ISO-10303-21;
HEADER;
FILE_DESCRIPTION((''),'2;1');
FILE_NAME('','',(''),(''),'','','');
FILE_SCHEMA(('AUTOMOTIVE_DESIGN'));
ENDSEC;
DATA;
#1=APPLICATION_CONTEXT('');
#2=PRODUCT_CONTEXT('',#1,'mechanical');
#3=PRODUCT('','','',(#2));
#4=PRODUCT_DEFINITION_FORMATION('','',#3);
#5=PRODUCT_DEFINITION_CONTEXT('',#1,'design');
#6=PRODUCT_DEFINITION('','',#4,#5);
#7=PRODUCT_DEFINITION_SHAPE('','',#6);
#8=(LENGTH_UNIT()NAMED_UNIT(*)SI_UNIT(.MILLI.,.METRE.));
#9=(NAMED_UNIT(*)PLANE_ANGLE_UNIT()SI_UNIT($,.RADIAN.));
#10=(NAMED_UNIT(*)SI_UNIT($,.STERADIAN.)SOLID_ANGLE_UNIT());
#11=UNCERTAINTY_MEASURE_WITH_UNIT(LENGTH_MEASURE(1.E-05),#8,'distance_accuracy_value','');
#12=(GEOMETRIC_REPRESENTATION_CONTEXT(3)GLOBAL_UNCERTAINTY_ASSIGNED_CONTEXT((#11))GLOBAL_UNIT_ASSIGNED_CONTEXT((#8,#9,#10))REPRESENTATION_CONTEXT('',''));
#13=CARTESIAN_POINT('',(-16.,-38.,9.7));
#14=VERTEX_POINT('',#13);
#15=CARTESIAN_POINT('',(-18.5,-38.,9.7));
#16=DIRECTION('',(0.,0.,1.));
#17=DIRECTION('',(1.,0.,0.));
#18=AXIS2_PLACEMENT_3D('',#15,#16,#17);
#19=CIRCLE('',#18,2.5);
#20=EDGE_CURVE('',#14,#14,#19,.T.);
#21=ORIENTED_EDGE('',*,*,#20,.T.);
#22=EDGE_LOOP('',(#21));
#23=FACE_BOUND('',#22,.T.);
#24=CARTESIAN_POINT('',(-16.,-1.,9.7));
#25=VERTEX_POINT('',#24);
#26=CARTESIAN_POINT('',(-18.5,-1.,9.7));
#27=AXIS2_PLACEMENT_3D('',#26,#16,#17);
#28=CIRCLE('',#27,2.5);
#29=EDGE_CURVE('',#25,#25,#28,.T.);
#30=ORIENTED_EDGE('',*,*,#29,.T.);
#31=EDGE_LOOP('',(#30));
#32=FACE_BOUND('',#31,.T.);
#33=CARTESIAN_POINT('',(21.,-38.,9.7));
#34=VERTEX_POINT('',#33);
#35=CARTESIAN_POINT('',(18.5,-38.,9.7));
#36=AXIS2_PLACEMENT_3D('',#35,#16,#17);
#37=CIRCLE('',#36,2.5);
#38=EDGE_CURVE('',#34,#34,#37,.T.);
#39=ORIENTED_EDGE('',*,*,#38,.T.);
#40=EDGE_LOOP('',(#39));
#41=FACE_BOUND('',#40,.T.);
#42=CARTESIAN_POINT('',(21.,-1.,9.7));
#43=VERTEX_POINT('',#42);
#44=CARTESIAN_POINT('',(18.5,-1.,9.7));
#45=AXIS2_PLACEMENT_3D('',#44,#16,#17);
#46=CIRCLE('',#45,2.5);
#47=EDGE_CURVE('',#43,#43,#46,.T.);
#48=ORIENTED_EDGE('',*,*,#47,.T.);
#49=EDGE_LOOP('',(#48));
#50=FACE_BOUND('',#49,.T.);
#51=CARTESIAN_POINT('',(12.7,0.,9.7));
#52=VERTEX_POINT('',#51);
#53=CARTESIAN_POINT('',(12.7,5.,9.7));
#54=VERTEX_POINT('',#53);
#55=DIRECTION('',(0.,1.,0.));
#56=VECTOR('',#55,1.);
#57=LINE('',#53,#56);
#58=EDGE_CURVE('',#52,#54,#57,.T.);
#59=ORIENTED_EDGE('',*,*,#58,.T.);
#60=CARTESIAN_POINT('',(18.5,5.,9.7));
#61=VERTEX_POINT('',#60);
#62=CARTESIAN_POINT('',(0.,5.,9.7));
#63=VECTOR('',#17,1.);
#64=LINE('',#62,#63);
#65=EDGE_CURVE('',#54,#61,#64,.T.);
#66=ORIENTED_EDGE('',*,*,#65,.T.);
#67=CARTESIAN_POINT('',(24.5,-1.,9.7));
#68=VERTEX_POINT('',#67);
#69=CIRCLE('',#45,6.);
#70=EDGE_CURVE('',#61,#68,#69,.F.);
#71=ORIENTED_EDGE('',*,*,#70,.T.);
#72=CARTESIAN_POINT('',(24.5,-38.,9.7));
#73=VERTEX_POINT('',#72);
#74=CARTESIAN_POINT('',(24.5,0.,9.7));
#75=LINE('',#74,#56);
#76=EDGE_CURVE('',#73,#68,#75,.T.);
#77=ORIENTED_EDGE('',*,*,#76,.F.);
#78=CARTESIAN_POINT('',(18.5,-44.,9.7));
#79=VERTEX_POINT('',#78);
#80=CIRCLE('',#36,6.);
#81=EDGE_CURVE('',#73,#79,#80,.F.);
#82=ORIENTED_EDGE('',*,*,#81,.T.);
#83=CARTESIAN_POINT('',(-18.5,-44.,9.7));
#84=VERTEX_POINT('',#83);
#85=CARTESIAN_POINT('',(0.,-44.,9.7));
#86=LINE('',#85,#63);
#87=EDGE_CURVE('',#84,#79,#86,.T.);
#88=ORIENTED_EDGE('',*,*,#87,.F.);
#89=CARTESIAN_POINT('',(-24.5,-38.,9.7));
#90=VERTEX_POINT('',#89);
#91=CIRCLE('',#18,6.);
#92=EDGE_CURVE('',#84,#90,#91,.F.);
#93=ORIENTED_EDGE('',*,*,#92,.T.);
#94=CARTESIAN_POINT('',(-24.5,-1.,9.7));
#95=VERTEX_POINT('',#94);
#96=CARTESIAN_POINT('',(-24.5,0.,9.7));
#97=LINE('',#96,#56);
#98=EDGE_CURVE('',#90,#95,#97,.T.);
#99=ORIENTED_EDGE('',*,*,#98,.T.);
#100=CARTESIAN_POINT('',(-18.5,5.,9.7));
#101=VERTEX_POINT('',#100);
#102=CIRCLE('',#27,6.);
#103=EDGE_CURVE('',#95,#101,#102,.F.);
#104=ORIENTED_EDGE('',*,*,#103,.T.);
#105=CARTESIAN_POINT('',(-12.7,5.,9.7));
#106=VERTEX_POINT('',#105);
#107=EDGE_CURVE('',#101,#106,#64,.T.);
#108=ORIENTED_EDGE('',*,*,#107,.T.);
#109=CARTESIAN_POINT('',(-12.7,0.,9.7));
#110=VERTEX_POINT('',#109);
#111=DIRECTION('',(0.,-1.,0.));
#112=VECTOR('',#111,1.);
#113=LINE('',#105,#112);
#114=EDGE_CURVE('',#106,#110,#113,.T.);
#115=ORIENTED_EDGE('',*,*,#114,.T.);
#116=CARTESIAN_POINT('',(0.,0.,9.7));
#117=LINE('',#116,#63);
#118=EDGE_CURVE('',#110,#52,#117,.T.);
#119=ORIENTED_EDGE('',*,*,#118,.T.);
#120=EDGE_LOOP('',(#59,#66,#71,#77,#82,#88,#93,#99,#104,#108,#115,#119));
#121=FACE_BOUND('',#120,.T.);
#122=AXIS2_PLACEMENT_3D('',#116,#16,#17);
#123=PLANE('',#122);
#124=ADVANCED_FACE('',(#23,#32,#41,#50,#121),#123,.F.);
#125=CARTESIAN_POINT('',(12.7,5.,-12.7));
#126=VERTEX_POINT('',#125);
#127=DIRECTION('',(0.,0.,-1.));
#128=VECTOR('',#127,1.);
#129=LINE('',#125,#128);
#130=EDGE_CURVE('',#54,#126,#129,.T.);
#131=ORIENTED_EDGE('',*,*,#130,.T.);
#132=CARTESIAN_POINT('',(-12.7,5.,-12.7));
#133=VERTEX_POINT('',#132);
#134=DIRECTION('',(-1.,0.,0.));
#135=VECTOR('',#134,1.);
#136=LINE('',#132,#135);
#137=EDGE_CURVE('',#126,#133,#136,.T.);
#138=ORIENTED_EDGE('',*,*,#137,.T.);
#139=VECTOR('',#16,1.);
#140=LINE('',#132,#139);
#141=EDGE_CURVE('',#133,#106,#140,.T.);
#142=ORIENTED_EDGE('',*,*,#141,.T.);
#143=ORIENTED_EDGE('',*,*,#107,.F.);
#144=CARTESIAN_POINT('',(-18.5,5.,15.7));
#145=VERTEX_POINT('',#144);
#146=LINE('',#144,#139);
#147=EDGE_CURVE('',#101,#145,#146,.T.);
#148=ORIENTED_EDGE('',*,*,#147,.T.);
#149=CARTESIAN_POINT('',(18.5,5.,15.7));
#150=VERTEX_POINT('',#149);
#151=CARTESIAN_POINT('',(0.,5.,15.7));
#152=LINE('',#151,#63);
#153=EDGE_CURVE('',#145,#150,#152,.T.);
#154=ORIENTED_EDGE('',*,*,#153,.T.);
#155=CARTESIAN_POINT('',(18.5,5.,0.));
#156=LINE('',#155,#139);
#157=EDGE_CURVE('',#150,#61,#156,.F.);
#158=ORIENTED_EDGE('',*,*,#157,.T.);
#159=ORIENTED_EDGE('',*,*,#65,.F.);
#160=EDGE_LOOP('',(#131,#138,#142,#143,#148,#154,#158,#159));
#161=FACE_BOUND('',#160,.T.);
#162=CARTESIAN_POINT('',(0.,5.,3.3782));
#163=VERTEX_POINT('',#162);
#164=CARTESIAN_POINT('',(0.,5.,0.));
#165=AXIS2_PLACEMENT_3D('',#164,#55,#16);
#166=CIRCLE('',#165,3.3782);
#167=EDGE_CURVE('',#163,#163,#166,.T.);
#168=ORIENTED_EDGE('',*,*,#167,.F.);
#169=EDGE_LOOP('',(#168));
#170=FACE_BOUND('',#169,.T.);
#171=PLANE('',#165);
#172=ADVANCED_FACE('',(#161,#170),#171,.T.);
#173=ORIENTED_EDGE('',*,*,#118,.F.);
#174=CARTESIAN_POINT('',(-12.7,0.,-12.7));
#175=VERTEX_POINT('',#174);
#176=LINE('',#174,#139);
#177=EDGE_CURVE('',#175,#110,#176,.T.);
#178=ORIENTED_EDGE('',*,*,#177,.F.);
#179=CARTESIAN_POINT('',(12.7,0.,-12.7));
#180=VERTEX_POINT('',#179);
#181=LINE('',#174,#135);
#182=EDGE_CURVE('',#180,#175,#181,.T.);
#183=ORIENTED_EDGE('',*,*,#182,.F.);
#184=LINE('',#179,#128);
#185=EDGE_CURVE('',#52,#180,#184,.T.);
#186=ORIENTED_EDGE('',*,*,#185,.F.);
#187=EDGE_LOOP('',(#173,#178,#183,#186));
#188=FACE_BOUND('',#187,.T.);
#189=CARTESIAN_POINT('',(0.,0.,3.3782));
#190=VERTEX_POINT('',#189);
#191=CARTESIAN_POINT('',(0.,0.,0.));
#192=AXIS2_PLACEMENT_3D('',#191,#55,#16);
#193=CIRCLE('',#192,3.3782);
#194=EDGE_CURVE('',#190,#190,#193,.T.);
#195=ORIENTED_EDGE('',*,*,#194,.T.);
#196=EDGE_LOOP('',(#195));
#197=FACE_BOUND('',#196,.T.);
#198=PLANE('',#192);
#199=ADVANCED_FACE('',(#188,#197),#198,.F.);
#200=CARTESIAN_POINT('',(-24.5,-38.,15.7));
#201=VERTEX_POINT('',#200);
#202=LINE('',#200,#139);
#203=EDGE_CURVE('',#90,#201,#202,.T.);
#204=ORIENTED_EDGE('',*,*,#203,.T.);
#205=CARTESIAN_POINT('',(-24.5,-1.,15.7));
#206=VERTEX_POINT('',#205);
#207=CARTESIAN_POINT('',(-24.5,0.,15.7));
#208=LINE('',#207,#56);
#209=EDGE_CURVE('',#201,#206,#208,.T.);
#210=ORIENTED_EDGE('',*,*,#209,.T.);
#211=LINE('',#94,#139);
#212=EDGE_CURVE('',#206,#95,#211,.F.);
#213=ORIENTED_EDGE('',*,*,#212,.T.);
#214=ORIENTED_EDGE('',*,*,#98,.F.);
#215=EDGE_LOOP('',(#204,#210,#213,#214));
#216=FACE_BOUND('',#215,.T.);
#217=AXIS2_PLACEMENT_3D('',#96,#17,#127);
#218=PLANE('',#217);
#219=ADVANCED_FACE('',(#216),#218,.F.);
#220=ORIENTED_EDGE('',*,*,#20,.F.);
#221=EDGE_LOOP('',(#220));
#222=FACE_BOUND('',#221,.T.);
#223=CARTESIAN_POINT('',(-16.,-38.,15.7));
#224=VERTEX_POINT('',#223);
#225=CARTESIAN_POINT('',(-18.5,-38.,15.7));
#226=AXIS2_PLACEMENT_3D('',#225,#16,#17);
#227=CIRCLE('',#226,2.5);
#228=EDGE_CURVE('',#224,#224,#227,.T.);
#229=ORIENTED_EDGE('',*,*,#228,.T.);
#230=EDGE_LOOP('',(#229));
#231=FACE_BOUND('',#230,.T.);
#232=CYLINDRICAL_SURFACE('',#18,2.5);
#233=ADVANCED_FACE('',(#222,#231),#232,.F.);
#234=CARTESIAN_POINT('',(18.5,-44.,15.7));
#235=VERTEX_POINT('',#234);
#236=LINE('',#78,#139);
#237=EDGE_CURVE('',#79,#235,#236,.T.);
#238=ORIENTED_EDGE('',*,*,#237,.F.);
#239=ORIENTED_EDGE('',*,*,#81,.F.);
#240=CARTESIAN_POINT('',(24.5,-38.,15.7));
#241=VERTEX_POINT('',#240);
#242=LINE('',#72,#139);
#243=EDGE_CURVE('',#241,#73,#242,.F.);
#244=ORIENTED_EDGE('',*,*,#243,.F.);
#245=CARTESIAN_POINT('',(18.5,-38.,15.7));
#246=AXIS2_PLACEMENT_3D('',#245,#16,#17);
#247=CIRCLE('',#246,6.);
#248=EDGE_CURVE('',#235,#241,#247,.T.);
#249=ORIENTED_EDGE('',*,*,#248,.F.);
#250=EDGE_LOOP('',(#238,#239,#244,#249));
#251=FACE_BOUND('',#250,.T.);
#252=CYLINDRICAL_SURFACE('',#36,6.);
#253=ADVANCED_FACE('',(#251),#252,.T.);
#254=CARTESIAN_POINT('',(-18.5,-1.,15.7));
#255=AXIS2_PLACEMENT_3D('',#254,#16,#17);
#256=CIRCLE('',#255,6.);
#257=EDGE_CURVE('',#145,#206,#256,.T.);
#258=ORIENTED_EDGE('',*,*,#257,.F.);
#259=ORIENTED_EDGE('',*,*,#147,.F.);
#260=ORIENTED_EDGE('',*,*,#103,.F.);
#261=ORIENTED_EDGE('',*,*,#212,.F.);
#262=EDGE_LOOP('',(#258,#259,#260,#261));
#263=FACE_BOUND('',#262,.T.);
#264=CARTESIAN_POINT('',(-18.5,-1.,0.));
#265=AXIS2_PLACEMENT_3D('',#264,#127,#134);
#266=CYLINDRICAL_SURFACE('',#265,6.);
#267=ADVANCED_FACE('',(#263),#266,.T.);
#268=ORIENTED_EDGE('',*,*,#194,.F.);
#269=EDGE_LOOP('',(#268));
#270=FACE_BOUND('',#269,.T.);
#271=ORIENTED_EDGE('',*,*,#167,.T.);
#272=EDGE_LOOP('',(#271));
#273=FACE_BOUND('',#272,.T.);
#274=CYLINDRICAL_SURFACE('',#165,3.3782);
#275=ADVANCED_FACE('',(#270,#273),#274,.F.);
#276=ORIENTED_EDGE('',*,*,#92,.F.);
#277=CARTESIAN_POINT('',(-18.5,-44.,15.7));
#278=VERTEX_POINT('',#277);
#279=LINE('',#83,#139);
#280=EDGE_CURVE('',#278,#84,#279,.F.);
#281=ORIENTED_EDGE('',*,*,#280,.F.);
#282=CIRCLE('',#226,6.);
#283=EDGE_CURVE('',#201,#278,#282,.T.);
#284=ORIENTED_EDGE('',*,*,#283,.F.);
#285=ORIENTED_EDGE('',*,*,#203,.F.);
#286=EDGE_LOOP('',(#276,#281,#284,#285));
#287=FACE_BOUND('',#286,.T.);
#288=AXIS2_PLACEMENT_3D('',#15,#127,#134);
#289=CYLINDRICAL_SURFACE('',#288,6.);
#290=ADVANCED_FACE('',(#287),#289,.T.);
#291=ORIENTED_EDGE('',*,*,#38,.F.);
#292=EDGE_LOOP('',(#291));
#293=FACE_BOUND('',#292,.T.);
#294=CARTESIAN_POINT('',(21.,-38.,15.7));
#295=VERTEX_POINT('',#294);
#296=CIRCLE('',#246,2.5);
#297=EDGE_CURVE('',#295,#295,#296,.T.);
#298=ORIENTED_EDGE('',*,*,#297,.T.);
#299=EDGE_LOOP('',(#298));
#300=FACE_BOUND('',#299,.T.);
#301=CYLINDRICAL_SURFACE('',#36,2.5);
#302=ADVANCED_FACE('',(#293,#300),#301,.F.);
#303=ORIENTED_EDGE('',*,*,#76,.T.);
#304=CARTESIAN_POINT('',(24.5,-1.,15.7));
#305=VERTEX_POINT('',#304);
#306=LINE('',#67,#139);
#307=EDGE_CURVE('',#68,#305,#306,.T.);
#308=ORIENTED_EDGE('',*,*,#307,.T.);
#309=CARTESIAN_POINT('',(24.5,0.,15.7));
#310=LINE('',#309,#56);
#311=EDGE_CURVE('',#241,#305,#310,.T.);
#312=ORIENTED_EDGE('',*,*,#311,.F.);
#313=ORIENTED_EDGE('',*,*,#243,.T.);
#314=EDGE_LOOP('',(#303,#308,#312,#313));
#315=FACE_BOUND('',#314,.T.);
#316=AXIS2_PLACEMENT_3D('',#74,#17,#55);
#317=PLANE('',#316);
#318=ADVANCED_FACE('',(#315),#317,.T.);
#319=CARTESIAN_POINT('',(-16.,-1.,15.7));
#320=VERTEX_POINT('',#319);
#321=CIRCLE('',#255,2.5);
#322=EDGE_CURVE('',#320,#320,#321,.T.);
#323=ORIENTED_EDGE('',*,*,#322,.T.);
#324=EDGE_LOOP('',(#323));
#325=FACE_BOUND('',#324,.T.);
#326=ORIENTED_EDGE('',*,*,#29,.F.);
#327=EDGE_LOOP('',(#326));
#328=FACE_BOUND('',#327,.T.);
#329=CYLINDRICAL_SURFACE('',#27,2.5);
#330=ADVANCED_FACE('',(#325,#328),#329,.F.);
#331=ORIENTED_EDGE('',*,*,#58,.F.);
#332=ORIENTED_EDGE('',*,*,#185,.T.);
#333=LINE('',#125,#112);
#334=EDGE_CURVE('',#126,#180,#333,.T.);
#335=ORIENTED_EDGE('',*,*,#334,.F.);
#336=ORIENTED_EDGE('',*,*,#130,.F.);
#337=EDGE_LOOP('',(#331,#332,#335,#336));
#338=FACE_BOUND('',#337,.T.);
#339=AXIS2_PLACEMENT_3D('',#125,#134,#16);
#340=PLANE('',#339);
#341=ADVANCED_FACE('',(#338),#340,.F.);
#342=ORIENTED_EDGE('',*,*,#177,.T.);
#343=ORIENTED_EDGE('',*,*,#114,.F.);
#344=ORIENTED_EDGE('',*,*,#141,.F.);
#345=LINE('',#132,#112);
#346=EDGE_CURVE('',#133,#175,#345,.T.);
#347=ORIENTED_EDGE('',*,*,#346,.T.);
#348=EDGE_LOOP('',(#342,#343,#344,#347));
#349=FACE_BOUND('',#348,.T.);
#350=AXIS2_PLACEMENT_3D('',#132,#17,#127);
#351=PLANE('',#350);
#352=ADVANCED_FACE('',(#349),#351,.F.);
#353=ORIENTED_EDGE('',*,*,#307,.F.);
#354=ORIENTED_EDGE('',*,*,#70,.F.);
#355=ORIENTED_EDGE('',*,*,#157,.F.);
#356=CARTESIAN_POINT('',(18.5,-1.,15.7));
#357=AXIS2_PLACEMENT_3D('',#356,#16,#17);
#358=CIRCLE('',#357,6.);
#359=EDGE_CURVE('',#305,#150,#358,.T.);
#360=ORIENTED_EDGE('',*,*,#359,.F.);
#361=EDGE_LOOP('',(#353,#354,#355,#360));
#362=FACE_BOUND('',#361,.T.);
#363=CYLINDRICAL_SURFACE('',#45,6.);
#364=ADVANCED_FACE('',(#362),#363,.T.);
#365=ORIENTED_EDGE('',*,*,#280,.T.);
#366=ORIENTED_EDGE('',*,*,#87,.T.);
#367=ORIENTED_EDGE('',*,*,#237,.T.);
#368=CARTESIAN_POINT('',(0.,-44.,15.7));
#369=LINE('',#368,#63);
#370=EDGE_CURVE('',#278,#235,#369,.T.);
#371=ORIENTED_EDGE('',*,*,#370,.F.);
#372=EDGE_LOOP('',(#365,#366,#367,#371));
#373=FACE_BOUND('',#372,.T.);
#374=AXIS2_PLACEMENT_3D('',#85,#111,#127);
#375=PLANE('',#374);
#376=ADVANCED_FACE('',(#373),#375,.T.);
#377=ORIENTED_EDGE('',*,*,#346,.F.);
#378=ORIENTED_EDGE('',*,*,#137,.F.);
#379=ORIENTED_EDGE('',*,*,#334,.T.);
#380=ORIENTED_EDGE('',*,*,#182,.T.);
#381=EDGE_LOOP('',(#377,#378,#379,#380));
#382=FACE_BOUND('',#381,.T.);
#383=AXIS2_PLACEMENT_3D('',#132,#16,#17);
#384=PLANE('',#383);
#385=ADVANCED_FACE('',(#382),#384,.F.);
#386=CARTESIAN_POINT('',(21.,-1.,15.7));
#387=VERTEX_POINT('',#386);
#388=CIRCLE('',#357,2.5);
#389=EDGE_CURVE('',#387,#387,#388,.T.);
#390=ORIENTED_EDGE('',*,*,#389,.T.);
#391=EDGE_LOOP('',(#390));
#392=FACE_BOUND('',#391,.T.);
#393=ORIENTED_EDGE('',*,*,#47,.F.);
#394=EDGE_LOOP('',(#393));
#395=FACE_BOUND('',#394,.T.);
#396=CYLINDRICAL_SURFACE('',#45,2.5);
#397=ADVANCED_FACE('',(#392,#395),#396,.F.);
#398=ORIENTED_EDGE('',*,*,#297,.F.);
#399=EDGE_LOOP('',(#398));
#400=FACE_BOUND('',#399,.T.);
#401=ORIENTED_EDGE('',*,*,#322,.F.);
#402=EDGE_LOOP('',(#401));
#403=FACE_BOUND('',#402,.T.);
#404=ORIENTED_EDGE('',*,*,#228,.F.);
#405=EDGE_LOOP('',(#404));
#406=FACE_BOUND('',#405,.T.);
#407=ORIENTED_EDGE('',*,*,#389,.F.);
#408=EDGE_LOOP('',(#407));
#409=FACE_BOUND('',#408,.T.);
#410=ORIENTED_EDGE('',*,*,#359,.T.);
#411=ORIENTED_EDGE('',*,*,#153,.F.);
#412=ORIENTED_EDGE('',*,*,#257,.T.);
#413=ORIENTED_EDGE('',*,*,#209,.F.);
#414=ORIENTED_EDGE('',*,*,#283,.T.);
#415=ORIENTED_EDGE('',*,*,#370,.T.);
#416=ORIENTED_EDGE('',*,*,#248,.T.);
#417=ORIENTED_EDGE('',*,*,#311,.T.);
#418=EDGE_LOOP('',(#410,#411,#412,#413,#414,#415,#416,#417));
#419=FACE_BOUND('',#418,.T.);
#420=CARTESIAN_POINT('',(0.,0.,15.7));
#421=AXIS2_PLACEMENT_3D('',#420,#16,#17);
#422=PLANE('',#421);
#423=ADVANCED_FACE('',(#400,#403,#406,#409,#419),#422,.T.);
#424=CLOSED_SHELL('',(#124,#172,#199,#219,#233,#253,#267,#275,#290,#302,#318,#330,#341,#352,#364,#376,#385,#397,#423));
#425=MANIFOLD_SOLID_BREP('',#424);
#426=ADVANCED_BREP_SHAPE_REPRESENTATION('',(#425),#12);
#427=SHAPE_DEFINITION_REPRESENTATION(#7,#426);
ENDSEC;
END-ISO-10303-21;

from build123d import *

# Parameters (mm, degrees)
SKETCH1_W               = 25.4
SKETCH1_H               = 25.4
BOSS_EXTRUDE1_DEPTH     = 5
F_1_4_CLEARANCE_HOLE1_D = 6.7564
SKETCH4_R               = 2.5
SKETCH4_W               = 25.4
SKETCH4_H               = 5
BOSS_EXTRUDE2_DEPTH     = 3
FILLET1_R               = 6


with BuildPart() as part:
    # Sketch1 → Boss-Extrude1 (new body)
    with BuildSketch(Plane(origin=(0, 0, 0), x_dir=(1, 0, 0), z_dir=(0, 1, 0))):
        Rectangle(SKETCH1_W, SKETCH1_H)
    extrude(amount=BOSS_EXTRUDE1_DEPTH)

    # 1/4 Clearance Hole1 (through all)
    with Locations(Plane(origin=(0, 5, 0), x_dir=(1, 0, 0), z_dir=(0, 1, 0))):
        with Locations((0, 0)):
            Hole(F_1_4_CLEARANCE_HOLE1_D / 2)

    # Sketch4 → Boss-Extrude2 (add, symmetric)
    # profile 1 of 2: a face of its own
    with BuildSketch(Plane.XY.offset(12.7)):
        Polygon((-24.5, 5), (-24.5, -44), (24.5, -44), (24.5, 5), (12.7, 5), (12.7, 0), (-12.7, 0), (-12.7, 5), align=None)
        with Locations((-18.5, -38)):
            Circle(SKETCH4_R, mode=Mode.SUBTRACT)
        with Locations((18.5, -38)):
            Circle(SKETCH4_R, mode=Mode.SUBTRACT)
        with Locations((-18.5, -1)):
            Circle(SKETCH4_R, mode=Mode.SUBTRACT)
        with Locations((18.5, -1)):
            Circle(SKETCH4_R, mode=Mode.SUBTRACT)
    # profile 2 of 2: a face of its own
    with BuildSketch(Plane.XY.offset(12.7)):
        with Locations((0, 2.5)):
            Rectangle(SKETCH4_W, SKETCH4_H)
    extrude(amount=BOSS_EXTRUDE2_DEPTH, both=True)

    # Fillet1
    fillet1_edges = [part.edges().sort_by_distance(p)[0] for p in [
        (-24.5, 5, 12.7),
        (24.5, 5, 12.7),
        (24.5, -44, 12.7),
        (-24.5, -44, 12.7),
    ]]
    fillet(fillet1_edges, radius=FILLET1_R)


solid = part.part
